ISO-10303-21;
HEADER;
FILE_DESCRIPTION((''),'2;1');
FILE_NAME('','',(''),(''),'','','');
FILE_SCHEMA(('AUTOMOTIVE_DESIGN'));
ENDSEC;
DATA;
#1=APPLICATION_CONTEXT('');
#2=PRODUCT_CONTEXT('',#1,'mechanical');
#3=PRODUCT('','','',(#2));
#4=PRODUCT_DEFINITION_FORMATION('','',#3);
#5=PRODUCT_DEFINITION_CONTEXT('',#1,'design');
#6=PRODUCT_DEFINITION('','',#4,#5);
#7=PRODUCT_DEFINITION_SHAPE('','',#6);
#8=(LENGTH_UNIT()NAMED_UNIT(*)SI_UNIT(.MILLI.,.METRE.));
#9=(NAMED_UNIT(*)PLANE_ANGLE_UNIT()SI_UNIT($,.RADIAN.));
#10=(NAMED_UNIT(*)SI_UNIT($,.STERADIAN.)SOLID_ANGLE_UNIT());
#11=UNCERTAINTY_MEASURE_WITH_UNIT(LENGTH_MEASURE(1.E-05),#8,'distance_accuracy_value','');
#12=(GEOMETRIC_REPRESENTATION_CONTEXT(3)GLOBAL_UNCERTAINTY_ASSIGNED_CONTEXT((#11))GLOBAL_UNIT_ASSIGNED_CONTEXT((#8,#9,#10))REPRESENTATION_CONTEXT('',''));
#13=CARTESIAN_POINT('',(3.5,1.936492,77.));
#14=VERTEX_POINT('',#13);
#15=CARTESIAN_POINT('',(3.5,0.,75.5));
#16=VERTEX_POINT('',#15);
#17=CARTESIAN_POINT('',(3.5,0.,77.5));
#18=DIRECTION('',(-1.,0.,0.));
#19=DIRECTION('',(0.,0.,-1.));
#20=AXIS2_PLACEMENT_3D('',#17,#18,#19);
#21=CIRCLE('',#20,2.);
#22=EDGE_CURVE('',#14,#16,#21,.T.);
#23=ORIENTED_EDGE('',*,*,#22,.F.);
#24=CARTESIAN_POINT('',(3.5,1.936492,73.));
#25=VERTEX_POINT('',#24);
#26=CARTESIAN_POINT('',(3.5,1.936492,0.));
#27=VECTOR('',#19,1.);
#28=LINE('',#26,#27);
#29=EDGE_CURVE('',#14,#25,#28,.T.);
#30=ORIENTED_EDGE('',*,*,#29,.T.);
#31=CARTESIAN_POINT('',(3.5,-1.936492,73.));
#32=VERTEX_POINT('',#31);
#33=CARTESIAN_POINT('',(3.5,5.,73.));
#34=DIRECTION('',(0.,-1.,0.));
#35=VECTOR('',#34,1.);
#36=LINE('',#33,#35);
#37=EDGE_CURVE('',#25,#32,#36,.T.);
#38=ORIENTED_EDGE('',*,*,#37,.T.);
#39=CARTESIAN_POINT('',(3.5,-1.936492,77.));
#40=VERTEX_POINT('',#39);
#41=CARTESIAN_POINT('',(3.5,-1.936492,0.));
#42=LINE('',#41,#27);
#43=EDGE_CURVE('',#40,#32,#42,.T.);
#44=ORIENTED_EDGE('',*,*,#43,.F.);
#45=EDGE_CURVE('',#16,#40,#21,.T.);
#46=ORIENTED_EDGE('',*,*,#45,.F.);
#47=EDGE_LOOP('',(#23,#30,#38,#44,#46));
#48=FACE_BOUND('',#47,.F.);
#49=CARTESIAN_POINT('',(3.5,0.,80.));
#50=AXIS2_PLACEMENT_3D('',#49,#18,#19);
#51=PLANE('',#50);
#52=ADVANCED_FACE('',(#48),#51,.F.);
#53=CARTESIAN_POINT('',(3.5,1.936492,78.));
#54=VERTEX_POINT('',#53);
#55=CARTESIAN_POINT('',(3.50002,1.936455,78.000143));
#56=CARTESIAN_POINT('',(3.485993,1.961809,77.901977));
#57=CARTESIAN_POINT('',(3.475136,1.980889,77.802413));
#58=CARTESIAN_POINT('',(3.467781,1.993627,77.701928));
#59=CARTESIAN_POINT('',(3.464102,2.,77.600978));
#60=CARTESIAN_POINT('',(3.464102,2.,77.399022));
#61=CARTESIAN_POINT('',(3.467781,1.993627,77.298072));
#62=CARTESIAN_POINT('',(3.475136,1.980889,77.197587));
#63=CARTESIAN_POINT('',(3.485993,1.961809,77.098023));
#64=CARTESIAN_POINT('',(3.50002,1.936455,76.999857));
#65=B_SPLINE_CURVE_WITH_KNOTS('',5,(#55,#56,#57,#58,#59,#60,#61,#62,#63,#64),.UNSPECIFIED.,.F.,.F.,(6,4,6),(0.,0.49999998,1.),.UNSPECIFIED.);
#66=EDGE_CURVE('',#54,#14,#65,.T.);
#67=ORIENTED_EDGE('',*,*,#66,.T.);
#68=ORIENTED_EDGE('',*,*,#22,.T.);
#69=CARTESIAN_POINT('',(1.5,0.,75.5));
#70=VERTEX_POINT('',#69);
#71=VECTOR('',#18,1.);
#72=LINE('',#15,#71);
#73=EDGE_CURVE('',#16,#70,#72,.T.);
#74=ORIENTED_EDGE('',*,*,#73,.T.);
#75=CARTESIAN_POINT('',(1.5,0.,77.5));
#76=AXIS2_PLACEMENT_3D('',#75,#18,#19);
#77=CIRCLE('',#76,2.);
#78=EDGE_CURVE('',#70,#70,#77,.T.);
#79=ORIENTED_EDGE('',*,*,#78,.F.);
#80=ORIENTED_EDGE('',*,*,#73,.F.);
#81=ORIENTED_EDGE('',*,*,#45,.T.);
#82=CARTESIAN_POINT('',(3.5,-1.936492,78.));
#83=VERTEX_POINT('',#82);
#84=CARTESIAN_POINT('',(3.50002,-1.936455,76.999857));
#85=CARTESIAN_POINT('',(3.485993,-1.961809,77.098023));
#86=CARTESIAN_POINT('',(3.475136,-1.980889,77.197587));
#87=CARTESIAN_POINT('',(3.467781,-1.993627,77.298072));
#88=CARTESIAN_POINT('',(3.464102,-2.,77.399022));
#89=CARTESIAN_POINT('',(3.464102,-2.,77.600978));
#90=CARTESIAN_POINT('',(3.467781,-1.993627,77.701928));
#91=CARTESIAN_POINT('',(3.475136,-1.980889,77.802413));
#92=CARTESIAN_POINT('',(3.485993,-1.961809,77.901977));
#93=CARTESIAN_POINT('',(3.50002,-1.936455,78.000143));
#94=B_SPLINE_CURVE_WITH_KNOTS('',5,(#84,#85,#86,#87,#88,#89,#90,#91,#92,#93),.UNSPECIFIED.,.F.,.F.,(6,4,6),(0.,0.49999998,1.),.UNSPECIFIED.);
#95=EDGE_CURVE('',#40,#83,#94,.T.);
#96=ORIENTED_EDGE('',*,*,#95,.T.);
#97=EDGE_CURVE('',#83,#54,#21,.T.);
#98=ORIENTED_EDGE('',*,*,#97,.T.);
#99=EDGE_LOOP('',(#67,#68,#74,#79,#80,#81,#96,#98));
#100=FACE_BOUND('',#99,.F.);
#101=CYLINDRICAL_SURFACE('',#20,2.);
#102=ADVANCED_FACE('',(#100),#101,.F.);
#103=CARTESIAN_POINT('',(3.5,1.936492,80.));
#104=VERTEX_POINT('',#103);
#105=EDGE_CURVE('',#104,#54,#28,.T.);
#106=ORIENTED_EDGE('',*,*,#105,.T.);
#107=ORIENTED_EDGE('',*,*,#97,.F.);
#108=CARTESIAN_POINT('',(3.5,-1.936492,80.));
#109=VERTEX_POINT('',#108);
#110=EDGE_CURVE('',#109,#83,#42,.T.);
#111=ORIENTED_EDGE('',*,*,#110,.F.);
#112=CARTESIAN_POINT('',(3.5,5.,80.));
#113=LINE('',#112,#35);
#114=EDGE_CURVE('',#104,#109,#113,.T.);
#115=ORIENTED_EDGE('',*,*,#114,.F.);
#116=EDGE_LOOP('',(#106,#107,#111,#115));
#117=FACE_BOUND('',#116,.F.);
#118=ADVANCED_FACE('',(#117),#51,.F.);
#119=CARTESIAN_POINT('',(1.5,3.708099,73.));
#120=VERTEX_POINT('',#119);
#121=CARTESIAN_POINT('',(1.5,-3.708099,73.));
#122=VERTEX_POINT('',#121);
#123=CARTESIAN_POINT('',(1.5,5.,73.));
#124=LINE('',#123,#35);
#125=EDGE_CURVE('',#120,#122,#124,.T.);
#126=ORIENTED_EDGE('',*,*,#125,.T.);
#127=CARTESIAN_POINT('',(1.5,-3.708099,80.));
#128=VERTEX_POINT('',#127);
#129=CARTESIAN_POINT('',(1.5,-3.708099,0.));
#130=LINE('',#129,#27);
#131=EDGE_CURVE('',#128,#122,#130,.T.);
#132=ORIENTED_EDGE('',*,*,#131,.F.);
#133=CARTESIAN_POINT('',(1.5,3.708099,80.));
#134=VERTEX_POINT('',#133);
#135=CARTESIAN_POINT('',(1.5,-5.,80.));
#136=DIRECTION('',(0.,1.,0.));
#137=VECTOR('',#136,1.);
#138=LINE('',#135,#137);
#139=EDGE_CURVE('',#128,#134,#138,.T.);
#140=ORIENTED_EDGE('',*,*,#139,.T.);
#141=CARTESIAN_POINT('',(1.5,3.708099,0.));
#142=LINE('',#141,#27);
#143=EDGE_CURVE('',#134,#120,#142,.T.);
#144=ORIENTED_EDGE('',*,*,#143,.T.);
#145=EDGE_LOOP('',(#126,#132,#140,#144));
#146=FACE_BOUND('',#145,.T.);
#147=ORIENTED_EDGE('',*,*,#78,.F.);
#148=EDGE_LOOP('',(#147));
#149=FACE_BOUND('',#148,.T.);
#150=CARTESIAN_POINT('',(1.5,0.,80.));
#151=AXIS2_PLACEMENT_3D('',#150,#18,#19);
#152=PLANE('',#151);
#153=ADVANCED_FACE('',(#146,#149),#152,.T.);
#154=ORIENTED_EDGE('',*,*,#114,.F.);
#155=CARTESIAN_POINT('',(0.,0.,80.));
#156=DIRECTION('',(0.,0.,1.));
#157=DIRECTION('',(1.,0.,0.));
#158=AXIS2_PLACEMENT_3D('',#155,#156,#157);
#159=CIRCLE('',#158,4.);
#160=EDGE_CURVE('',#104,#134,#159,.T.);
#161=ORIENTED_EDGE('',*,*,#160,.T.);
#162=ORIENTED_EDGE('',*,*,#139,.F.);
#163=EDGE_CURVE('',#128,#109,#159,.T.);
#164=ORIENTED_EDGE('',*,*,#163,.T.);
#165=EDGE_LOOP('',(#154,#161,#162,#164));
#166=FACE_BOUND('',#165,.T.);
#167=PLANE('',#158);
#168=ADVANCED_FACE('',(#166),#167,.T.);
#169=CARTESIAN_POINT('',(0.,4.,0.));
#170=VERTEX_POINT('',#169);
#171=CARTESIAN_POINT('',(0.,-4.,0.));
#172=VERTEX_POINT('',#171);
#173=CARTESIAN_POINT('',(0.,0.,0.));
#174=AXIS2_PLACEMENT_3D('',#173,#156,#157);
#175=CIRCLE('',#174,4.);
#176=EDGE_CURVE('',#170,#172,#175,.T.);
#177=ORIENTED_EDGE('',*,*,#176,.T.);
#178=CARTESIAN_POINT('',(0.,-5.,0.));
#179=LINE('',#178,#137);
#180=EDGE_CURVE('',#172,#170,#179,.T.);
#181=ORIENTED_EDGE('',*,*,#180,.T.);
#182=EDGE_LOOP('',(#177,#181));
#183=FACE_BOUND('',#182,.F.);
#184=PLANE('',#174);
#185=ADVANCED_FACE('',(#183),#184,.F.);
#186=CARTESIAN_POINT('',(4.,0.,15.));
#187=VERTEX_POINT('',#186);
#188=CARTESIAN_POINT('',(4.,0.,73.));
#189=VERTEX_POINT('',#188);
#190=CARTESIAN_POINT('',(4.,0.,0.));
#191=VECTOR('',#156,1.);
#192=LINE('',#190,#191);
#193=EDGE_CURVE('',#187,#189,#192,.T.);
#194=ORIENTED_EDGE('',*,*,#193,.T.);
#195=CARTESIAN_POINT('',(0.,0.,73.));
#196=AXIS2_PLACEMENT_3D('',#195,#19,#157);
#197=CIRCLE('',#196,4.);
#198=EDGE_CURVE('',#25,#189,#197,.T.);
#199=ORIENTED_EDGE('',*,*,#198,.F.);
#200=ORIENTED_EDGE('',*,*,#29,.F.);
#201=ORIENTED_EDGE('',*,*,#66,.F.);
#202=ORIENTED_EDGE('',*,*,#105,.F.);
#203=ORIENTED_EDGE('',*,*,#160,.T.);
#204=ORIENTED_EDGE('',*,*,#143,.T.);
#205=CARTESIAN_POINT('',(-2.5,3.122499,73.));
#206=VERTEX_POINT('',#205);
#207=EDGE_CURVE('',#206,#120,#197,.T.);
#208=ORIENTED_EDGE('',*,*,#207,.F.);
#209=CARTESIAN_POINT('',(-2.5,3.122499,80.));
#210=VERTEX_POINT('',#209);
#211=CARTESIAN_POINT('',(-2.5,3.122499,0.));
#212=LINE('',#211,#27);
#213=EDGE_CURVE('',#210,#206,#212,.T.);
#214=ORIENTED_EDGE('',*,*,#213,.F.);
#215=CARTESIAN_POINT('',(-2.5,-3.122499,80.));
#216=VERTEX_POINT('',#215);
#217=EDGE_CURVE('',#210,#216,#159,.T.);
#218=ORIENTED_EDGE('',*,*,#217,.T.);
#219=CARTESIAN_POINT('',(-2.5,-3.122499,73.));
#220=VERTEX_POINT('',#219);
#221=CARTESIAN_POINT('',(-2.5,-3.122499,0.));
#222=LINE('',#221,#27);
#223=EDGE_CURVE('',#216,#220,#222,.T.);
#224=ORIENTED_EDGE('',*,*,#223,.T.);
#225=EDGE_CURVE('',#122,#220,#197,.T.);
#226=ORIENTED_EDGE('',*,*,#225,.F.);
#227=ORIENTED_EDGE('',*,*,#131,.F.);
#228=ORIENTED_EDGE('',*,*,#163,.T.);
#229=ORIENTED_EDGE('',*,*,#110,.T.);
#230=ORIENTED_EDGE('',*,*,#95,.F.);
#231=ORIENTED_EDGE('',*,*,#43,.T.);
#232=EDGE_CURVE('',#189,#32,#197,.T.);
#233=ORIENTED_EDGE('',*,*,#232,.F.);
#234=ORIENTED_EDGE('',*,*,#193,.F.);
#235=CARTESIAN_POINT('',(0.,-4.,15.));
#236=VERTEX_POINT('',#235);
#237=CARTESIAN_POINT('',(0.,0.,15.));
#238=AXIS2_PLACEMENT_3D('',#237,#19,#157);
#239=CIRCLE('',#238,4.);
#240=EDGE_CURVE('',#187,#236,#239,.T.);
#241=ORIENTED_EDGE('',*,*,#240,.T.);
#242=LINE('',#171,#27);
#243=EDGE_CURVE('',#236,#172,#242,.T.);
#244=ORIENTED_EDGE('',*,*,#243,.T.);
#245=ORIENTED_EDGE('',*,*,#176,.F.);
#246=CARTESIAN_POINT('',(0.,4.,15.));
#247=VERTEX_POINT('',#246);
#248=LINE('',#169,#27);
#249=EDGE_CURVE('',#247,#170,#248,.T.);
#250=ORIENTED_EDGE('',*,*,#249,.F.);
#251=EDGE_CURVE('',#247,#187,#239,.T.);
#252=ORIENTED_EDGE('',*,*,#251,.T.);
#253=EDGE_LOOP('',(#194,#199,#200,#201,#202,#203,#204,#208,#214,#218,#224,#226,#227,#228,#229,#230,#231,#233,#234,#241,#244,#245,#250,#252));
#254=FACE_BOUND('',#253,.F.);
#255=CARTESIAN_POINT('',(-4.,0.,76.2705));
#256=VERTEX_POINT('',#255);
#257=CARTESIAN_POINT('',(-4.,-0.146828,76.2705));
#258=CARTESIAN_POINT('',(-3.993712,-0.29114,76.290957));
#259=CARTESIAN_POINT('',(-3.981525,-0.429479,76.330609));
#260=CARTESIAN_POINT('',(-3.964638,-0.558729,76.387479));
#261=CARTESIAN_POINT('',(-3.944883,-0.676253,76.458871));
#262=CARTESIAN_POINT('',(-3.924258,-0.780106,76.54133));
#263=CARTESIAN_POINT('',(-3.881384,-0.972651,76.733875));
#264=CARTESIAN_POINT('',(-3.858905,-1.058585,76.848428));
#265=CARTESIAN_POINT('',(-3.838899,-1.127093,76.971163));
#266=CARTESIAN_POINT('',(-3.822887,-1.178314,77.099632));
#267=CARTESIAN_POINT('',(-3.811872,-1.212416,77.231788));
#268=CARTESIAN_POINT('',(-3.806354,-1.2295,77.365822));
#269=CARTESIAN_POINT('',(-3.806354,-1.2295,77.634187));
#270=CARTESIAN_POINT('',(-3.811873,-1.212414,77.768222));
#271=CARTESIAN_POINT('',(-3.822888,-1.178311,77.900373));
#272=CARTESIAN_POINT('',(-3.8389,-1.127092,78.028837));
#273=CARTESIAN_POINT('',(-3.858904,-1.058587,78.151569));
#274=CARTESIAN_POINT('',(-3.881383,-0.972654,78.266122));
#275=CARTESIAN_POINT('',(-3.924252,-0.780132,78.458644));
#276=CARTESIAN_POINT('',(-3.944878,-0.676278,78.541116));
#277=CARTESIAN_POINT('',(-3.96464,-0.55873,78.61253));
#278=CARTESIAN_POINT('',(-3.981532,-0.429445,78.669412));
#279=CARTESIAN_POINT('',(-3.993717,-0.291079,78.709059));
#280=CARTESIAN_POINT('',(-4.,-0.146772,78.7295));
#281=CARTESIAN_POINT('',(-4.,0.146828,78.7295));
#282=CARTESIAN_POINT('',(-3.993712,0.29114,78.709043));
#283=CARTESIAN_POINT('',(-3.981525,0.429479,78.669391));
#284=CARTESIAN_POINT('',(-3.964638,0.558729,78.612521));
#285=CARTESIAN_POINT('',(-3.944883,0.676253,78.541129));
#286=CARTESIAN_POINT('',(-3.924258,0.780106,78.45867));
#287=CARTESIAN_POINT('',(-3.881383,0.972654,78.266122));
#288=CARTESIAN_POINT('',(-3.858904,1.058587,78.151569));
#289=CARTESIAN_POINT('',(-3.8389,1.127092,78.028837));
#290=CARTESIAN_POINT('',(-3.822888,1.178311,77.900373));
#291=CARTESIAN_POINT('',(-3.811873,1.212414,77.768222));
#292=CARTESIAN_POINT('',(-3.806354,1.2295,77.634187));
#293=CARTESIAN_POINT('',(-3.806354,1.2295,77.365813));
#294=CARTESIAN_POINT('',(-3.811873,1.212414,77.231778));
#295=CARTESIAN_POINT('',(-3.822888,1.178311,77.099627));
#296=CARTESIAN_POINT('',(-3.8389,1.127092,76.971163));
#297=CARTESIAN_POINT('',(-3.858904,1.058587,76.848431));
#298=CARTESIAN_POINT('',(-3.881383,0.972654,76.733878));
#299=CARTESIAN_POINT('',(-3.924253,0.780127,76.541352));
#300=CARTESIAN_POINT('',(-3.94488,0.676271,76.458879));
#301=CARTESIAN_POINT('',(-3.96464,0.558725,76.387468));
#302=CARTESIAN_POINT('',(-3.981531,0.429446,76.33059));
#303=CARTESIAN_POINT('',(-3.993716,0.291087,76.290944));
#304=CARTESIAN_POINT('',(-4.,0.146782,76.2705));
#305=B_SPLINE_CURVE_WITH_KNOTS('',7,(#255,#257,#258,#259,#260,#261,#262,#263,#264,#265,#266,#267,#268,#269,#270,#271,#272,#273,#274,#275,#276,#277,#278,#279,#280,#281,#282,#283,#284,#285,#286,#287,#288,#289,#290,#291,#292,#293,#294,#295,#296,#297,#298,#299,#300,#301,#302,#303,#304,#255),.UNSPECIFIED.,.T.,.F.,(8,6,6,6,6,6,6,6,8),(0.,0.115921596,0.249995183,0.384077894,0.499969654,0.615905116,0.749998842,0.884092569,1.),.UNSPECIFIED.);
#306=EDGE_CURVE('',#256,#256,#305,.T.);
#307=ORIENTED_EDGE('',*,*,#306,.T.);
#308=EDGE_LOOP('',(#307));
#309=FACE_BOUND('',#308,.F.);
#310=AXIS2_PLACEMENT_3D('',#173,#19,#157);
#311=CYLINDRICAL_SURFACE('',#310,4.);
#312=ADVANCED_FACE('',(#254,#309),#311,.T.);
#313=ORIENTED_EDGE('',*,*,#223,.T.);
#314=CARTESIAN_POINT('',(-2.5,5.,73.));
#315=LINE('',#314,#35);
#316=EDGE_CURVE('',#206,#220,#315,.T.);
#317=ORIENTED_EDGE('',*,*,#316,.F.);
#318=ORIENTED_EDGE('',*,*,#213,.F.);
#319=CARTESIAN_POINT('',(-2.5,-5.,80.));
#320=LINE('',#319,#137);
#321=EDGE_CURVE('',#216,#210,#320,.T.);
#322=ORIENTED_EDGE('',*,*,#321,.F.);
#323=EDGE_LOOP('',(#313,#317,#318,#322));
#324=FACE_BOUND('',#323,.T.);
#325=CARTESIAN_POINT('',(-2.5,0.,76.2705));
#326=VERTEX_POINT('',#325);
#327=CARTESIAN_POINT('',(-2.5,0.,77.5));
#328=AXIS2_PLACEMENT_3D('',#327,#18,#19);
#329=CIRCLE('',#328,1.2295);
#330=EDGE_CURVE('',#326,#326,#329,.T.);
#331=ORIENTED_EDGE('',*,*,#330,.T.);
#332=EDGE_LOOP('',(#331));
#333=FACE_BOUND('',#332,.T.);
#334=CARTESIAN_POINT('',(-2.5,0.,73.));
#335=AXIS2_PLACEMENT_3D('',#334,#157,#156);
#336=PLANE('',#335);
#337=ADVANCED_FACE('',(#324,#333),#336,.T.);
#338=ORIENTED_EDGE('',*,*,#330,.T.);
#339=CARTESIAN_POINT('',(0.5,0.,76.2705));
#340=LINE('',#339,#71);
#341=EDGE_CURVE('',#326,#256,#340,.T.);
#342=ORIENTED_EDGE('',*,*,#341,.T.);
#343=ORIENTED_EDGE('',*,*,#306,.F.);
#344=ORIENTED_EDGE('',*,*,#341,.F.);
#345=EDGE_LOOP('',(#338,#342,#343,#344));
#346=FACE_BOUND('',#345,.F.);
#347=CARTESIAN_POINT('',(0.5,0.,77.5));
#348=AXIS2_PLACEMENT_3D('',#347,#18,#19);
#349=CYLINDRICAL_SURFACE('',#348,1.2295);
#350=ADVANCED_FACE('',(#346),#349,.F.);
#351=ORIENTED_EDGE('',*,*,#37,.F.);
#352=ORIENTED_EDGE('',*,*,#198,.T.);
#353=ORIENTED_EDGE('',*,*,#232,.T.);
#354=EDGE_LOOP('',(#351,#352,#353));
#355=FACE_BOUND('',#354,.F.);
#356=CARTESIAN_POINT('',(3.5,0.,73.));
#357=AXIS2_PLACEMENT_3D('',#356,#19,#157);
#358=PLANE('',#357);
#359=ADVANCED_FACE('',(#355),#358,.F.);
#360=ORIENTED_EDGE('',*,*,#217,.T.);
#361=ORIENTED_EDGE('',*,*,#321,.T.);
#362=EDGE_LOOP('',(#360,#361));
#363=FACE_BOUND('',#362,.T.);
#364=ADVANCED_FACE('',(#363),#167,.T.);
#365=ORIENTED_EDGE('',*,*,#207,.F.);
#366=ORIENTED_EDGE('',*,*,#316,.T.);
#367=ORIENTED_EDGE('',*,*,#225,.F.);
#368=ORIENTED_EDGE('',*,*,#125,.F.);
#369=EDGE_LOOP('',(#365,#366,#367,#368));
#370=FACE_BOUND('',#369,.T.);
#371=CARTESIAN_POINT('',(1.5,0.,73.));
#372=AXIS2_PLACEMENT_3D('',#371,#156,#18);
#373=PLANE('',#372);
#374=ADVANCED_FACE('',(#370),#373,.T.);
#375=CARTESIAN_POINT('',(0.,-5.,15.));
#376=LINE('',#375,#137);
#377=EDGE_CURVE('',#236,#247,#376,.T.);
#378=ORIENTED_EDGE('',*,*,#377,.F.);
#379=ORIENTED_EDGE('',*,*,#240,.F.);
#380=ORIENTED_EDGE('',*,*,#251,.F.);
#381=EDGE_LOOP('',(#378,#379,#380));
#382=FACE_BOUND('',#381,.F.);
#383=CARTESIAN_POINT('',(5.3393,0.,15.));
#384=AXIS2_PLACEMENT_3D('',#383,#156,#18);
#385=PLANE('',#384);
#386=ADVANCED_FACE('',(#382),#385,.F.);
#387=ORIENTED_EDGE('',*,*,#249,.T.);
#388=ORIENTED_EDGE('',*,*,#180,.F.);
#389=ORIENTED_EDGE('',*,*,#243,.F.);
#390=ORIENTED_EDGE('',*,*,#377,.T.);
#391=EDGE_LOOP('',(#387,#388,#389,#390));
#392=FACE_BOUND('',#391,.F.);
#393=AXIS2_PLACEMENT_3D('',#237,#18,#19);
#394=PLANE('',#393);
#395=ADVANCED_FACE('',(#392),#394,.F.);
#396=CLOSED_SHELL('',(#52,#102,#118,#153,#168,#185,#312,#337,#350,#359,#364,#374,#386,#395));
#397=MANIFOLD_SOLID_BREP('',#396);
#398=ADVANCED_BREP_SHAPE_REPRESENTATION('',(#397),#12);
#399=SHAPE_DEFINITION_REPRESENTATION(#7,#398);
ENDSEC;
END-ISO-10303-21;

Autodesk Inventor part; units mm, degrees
ref_plane "YZ Plane" through (0, 0, 0) normal (1, 0, 0) x (0, 1, 0)
ref_plane "XZ Plane" through (0, 0, 0) normal (0, 1, 0) x (-1, 0, 0)
ref_plane "XY Plane" through (0, 0, 0) normal (0, 0, 1) x (1, 0, 0)
sketch "Sketch1" plane through (0, 0, 0) normal (0, 0, 1) x (1, 0, 0)
  circle A0 centre (0, 0) radius 4
  dimension "d0" = 8
extrude "Extrusion1" add sketch "Sketch1" along normal blind 80
sketch "Sketch2" plane through (0, 0, 0) normal (0, 1, 0) x (-1, 0, 0)
  line L0 (0, 0) -> (-5.3393, 0)
  line L1 (-5.3393, 0) -> (-5.3393, 15)
  line L2 (-5.3393, 15) -> (0, 15)
  line L3 (0, 15) -> (0, 0)
  line L4 (2.5, 80) -> (-1.5, 80)
  line L5 (-1.5, 80) -> (-1.5, 73)
  line L6 (-1.5, 73) -> (2.5, 73)
  line L7 (2.5, 73) -> (2.5, 80)
  line L8 (4, 80) -> (-4, 80) construction
  line L9 (-4, 80) -> (-3.5, 80)
  line L10 (-3.5, 80) -> (-3.5, 73)
  line L11 (-3.5, 73) -> (-4, 73)
  line L12 (-4, 73) -> (-4, 80)
  point P0 (-3.75, 73)
  dimension "d3" = 4
  dimension "d4" = 7
  dimension "d5" = 2.5
  dimension "d6" = 15
  dimension "d9" = 2
extrude "Extrusion2" cut sketch "Sketch2" along normal through all both and the other way through all
sketch "Sketch3" plane through (3.5, -1.9365, 73) normal (1, 0, 0) x (0, 0, -1)
  circle A0 centre (-4.5, 1.9365) radius 1.5
  line L0 (-7, 0) -> (-7, 3.873) projected
  point P0 (73, 1.9365)
  point P1 (-7, 1.9365)
  dimension "d10" = 3
  dimension "d11" = 2.5
hole "Hole1" at (3.5, 0, 77.5) direction (-1, 0, 0) diameter 2.459 end through all counterbore diameter 4 counterbore depth 3 thread size "M3x0.5" class "6H" standard "ISO Metric profile"
properties part number "Servo_Strut_CPY_CPY"
